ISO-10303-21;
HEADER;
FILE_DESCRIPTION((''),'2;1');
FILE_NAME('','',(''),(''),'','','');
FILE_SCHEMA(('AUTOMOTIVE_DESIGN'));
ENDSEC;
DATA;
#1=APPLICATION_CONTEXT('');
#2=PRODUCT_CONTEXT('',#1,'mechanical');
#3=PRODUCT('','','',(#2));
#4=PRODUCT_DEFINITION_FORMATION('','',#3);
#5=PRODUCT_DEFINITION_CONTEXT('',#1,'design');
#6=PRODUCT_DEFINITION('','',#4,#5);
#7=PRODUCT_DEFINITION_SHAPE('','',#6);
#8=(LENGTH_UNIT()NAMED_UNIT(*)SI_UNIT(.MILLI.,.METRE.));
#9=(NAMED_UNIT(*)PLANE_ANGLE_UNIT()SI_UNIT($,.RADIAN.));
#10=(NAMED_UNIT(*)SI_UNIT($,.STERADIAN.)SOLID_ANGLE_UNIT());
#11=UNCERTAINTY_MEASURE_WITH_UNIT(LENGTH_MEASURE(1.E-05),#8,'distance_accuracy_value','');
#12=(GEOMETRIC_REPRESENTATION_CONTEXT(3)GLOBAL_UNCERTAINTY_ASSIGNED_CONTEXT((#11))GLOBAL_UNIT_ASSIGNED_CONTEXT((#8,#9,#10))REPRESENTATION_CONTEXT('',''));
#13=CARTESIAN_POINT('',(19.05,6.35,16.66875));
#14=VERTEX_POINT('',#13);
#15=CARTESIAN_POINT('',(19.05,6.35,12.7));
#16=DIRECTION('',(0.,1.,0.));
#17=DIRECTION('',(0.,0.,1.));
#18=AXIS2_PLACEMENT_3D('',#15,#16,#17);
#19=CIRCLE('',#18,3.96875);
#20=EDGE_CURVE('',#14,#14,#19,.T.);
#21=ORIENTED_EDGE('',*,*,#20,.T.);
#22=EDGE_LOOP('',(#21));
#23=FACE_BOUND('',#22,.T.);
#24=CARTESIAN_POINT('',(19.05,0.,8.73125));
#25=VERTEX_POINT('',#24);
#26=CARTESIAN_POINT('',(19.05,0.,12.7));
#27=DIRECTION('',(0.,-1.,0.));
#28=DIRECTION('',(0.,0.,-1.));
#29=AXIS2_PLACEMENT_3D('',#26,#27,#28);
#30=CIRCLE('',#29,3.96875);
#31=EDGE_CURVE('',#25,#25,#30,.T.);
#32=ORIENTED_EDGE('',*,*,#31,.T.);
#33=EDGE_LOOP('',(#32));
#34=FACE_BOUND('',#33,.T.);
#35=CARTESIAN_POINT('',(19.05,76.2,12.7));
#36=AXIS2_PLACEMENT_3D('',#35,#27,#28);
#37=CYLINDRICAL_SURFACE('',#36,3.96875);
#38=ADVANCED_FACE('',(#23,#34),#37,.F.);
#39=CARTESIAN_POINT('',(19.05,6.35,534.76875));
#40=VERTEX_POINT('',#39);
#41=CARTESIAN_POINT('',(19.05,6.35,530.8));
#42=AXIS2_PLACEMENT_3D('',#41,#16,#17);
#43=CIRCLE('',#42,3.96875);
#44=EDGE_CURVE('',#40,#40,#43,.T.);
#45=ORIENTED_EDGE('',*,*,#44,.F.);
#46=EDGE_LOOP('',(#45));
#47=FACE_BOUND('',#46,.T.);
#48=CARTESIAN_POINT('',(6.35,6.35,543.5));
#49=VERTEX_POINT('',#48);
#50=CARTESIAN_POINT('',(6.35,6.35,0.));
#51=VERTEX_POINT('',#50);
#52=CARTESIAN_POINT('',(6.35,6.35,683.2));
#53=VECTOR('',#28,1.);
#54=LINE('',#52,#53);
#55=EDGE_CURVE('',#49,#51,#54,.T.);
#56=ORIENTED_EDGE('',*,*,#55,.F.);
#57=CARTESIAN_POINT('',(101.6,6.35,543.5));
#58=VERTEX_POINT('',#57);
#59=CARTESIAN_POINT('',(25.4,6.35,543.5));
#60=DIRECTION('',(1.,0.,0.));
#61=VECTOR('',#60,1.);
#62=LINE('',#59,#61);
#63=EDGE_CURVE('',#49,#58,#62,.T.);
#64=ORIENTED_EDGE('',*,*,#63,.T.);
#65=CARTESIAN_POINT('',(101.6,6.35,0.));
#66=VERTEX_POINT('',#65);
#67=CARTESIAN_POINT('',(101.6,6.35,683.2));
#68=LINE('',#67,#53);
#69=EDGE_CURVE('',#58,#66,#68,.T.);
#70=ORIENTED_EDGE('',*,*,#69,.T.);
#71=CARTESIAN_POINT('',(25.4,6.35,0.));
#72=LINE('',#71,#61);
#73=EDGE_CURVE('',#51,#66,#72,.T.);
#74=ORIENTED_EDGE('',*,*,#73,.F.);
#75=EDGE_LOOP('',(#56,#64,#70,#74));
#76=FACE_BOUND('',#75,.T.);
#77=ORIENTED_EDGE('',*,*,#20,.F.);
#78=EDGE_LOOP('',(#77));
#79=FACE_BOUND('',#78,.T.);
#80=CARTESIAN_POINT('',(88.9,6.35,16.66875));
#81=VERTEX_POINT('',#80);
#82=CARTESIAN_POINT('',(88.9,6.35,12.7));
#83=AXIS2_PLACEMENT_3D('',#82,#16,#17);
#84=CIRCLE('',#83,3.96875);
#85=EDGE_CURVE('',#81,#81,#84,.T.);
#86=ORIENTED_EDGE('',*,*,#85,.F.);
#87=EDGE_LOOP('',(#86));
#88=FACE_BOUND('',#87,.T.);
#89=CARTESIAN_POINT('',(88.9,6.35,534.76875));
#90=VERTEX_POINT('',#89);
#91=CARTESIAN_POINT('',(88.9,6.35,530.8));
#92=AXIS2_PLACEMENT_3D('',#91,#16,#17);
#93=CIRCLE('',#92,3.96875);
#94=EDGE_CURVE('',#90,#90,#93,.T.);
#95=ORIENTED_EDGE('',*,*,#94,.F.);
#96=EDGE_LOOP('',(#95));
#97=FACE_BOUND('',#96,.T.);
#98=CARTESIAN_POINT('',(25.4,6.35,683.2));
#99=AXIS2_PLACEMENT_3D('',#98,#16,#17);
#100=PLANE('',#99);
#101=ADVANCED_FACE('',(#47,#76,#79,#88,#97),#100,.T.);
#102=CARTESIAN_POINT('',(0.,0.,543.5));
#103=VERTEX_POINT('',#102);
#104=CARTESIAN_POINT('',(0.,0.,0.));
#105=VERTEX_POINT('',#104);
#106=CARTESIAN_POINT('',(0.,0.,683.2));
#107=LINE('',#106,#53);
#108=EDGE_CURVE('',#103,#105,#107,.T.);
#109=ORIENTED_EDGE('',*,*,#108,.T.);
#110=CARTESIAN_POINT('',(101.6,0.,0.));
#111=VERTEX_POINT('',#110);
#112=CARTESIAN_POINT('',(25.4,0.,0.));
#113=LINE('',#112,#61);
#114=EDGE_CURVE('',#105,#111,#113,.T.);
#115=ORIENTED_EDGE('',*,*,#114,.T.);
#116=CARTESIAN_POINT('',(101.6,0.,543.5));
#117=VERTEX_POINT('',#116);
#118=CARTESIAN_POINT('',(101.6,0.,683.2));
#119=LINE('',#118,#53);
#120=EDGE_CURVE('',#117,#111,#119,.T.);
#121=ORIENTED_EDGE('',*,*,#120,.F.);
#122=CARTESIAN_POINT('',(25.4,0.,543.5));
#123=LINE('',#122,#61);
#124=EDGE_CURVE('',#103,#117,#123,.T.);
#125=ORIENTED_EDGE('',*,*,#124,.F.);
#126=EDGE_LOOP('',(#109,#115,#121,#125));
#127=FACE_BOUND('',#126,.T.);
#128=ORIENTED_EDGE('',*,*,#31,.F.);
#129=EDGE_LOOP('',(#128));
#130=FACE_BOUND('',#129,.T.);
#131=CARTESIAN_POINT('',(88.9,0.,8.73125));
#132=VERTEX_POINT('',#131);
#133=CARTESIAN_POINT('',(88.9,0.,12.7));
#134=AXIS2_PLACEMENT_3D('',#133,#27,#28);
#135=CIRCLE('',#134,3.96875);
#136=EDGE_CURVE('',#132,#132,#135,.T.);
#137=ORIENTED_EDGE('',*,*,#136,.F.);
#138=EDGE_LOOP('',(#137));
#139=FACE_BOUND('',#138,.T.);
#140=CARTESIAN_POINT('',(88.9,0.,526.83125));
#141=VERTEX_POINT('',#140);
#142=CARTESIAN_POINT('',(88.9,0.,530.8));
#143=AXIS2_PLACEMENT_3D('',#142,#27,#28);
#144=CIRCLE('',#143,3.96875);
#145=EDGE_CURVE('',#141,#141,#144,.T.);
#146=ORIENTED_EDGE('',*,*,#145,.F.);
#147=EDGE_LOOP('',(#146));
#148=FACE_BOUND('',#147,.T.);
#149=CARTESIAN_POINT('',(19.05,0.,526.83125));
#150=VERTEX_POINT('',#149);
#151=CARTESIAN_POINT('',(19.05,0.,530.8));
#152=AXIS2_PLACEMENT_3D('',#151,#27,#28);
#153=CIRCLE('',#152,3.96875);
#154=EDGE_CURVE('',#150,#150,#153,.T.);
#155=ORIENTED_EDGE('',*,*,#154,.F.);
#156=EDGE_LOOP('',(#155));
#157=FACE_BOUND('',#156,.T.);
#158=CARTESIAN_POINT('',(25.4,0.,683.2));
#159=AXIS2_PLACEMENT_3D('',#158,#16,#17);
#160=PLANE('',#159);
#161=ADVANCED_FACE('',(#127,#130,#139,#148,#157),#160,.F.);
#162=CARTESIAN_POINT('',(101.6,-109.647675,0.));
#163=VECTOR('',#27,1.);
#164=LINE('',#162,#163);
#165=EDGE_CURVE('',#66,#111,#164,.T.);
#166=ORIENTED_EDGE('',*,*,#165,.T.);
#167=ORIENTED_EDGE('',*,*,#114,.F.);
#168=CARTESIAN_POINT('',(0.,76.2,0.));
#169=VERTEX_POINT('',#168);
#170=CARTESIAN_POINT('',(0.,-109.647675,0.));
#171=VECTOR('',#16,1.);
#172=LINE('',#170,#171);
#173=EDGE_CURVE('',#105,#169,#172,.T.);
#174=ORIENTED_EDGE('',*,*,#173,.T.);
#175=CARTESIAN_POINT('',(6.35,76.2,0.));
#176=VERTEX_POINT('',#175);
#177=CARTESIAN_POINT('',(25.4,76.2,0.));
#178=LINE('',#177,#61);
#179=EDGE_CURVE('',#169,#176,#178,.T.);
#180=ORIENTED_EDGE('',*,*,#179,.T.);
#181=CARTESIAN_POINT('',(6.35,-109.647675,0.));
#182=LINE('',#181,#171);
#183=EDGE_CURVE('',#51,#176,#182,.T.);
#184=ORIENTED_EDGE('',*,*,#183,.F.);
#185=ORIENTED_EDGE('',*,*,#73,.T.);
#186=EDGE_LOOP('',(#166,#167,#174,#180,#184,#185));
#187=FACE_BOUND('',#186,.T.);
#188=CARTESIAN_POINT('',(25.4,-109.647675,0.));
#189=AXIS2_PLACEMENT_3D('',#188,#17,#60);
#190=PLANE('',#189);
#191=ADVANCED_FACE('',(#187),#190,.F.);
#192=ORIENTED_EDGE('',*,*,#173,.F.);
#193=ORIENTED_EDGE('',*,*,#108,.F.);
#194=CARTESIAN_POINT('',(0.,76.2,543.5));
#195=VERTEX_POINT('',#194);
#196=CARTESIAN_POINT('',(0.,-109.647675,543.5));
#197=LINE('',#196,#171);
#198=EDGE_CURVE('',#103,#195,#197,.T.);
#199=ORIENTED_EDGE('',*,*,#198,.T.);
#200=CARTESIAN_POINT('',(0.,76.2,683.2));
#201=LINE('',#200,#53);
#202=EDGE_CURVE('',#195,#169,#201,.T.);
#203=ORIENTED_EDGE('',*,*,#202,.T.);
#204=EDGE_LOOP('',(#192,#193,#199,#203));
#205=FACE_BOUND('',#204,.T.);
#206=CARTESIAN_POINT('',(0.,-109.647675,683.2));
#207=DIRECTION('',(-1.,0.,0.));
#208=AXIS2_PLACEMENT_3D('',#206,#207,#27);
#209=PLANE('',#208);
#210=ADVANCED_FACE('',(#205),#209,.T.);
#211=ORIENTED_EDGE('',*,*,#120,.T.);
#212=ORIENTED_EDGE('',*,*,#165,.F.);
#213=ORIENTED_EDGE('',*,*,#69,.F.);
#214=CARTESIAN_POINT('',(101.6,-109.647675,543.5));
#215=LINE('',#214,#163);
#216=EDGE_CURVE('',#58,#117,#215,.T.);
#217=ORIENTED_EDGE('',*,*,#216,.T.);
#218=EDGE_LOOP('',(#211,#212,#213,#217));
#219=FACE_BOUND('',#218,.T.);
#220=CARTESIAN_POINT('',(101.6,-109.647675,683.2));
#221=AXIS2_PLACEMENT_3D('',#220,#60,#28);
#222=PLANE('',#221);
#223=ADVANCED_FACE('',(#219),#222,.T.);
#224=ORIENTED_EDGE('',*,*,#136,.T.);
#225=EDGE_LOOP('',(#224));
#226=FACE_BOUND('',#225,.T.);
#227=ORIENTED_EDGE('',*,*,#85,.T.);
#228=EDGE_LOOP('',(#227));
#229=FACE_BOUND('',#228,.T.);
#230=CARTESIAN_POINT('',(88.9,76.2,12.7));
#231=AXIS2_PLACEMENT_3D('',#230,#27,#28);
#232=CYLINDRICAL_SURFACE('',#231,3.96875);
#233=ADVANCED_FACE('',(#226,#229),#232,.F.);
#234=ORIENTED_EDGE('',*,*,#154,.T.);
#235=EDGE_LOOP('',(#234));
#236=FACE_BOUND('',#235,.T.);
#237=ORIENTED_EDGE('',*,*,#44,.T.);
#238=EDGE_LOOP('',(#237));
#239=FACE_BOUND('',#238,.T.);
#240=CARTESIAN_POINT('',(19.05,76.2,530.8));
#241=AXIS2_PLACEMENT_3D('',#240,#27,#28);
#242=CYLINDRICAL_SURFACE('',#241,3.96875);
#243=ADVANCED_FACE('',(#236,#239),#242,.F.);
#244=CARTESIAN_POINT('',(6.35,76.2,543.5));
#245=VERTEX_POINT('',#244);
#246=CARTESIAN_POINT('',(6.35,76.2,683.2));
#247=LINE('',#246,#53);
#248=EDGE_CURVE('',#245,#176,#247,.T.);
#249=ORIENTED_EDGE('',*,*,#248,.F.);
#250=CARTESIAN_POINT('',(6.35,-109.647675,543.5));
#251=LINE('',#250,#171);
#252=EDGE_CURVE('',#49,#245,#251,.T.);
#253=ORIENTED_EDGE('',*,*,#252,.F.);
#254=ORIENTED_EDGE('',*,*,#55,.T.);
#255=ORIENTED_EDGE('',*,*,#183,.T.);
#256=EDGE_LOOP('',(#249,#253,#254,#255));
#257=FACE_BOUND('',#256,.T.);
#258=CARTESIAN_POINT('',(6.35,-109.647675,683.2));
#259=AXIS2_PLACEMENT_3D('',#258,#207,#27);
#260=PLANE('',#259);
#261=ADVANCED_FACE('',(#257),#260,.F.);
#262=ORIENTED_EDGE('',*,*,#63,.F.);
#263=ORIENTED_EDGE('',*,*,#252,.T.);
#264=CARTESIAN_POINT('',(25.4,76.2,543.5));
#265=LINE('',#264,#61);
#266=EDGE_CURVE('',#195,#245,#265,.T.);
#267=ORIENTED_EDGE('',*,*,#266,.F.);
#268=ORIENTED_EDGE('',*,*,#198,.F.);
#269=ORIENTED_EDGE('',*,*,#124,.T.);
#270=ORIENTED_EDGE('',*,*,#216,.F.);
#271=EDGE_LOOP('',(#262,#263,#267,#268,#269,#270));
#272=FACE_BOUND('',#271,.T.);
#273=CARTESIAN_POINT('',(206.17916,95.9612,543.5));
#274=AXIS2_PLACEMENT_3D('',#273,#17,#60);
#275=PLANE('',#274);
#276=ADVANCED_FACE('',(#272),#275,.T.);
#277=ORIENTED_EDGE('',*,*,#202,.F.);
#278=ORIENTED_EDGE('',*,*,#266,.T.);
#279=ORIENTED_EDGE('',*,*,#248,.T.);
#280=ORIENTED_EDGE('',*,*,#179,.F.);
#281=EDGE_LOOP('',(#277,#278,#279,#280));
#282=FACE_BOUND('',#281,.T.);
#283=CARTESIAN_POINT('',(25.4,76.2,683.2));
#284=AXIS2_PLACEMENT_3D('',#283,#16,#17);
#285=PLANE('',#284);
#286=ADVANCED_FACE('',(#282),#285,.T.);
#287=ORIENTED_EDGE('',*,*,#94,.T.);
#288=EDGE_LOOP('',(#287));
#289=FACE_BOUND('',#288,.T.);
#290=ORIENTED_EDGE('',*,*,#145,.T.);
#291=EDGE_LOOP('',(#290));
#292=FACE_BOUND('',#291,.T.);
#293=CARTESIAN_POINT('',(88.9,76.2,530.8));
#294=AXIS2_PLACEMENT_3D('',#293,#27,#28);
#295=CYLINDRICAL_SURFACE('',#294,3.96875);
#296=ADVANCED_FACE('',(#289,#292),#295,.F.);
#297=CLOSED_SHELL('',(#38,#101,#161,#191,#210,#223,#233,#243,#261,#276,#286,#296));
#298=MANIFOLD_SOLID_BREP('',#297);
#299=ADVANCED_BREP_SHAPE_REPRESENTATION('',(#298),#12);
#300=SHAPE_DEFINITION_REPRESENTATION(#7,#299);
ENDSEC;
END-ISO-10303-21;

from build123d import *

# Parameters (mm, degrees)
BOSS_EXTRUDE1_DEPTH = 543.5
SKETCH4_R           = 3.96875
CUT_EXTRUDE1_DEPTH  = 559.140887232


with BuildPart() as part:
    # Sketch1 → Boss-Extrude1 (new body)
    with BuildSketch(Plane.XY):
        Polygon((0, 76.2), (0, 0), (101.6, 0), (101.6, 6.35), (6.35, 6.35), (6.35, 76.2), align=None)
    extrude(amount=BOSS_EXTRUDE1_DEPTH)

    # Sketch4 → Cut-Extrude1 (cut, through all)
    with BuildSketch(Plane.XZ):
        with Locations(Location((88.9, 530.8, 0), (0, 0, 270))):
            Circle(SKETCH4_R)
        with Locations(Location((19.05, 530.8, 0), (0, 0, 270))):
            Circle(SKETCH4_R)
        with Locations(Location((19.05, 12.7, 0), (0, 0, 270))):
            Circle(SKETCH4_R)
        with Locations(Location((88.9, 12.7, 0), (0, 0, 270))):
            Circle(SKETCH4_R)
    extrude(amount=-CUT_EXTRUDE1_DEPTH, mode=Mode.SUBTRACT)


solid = part.part
